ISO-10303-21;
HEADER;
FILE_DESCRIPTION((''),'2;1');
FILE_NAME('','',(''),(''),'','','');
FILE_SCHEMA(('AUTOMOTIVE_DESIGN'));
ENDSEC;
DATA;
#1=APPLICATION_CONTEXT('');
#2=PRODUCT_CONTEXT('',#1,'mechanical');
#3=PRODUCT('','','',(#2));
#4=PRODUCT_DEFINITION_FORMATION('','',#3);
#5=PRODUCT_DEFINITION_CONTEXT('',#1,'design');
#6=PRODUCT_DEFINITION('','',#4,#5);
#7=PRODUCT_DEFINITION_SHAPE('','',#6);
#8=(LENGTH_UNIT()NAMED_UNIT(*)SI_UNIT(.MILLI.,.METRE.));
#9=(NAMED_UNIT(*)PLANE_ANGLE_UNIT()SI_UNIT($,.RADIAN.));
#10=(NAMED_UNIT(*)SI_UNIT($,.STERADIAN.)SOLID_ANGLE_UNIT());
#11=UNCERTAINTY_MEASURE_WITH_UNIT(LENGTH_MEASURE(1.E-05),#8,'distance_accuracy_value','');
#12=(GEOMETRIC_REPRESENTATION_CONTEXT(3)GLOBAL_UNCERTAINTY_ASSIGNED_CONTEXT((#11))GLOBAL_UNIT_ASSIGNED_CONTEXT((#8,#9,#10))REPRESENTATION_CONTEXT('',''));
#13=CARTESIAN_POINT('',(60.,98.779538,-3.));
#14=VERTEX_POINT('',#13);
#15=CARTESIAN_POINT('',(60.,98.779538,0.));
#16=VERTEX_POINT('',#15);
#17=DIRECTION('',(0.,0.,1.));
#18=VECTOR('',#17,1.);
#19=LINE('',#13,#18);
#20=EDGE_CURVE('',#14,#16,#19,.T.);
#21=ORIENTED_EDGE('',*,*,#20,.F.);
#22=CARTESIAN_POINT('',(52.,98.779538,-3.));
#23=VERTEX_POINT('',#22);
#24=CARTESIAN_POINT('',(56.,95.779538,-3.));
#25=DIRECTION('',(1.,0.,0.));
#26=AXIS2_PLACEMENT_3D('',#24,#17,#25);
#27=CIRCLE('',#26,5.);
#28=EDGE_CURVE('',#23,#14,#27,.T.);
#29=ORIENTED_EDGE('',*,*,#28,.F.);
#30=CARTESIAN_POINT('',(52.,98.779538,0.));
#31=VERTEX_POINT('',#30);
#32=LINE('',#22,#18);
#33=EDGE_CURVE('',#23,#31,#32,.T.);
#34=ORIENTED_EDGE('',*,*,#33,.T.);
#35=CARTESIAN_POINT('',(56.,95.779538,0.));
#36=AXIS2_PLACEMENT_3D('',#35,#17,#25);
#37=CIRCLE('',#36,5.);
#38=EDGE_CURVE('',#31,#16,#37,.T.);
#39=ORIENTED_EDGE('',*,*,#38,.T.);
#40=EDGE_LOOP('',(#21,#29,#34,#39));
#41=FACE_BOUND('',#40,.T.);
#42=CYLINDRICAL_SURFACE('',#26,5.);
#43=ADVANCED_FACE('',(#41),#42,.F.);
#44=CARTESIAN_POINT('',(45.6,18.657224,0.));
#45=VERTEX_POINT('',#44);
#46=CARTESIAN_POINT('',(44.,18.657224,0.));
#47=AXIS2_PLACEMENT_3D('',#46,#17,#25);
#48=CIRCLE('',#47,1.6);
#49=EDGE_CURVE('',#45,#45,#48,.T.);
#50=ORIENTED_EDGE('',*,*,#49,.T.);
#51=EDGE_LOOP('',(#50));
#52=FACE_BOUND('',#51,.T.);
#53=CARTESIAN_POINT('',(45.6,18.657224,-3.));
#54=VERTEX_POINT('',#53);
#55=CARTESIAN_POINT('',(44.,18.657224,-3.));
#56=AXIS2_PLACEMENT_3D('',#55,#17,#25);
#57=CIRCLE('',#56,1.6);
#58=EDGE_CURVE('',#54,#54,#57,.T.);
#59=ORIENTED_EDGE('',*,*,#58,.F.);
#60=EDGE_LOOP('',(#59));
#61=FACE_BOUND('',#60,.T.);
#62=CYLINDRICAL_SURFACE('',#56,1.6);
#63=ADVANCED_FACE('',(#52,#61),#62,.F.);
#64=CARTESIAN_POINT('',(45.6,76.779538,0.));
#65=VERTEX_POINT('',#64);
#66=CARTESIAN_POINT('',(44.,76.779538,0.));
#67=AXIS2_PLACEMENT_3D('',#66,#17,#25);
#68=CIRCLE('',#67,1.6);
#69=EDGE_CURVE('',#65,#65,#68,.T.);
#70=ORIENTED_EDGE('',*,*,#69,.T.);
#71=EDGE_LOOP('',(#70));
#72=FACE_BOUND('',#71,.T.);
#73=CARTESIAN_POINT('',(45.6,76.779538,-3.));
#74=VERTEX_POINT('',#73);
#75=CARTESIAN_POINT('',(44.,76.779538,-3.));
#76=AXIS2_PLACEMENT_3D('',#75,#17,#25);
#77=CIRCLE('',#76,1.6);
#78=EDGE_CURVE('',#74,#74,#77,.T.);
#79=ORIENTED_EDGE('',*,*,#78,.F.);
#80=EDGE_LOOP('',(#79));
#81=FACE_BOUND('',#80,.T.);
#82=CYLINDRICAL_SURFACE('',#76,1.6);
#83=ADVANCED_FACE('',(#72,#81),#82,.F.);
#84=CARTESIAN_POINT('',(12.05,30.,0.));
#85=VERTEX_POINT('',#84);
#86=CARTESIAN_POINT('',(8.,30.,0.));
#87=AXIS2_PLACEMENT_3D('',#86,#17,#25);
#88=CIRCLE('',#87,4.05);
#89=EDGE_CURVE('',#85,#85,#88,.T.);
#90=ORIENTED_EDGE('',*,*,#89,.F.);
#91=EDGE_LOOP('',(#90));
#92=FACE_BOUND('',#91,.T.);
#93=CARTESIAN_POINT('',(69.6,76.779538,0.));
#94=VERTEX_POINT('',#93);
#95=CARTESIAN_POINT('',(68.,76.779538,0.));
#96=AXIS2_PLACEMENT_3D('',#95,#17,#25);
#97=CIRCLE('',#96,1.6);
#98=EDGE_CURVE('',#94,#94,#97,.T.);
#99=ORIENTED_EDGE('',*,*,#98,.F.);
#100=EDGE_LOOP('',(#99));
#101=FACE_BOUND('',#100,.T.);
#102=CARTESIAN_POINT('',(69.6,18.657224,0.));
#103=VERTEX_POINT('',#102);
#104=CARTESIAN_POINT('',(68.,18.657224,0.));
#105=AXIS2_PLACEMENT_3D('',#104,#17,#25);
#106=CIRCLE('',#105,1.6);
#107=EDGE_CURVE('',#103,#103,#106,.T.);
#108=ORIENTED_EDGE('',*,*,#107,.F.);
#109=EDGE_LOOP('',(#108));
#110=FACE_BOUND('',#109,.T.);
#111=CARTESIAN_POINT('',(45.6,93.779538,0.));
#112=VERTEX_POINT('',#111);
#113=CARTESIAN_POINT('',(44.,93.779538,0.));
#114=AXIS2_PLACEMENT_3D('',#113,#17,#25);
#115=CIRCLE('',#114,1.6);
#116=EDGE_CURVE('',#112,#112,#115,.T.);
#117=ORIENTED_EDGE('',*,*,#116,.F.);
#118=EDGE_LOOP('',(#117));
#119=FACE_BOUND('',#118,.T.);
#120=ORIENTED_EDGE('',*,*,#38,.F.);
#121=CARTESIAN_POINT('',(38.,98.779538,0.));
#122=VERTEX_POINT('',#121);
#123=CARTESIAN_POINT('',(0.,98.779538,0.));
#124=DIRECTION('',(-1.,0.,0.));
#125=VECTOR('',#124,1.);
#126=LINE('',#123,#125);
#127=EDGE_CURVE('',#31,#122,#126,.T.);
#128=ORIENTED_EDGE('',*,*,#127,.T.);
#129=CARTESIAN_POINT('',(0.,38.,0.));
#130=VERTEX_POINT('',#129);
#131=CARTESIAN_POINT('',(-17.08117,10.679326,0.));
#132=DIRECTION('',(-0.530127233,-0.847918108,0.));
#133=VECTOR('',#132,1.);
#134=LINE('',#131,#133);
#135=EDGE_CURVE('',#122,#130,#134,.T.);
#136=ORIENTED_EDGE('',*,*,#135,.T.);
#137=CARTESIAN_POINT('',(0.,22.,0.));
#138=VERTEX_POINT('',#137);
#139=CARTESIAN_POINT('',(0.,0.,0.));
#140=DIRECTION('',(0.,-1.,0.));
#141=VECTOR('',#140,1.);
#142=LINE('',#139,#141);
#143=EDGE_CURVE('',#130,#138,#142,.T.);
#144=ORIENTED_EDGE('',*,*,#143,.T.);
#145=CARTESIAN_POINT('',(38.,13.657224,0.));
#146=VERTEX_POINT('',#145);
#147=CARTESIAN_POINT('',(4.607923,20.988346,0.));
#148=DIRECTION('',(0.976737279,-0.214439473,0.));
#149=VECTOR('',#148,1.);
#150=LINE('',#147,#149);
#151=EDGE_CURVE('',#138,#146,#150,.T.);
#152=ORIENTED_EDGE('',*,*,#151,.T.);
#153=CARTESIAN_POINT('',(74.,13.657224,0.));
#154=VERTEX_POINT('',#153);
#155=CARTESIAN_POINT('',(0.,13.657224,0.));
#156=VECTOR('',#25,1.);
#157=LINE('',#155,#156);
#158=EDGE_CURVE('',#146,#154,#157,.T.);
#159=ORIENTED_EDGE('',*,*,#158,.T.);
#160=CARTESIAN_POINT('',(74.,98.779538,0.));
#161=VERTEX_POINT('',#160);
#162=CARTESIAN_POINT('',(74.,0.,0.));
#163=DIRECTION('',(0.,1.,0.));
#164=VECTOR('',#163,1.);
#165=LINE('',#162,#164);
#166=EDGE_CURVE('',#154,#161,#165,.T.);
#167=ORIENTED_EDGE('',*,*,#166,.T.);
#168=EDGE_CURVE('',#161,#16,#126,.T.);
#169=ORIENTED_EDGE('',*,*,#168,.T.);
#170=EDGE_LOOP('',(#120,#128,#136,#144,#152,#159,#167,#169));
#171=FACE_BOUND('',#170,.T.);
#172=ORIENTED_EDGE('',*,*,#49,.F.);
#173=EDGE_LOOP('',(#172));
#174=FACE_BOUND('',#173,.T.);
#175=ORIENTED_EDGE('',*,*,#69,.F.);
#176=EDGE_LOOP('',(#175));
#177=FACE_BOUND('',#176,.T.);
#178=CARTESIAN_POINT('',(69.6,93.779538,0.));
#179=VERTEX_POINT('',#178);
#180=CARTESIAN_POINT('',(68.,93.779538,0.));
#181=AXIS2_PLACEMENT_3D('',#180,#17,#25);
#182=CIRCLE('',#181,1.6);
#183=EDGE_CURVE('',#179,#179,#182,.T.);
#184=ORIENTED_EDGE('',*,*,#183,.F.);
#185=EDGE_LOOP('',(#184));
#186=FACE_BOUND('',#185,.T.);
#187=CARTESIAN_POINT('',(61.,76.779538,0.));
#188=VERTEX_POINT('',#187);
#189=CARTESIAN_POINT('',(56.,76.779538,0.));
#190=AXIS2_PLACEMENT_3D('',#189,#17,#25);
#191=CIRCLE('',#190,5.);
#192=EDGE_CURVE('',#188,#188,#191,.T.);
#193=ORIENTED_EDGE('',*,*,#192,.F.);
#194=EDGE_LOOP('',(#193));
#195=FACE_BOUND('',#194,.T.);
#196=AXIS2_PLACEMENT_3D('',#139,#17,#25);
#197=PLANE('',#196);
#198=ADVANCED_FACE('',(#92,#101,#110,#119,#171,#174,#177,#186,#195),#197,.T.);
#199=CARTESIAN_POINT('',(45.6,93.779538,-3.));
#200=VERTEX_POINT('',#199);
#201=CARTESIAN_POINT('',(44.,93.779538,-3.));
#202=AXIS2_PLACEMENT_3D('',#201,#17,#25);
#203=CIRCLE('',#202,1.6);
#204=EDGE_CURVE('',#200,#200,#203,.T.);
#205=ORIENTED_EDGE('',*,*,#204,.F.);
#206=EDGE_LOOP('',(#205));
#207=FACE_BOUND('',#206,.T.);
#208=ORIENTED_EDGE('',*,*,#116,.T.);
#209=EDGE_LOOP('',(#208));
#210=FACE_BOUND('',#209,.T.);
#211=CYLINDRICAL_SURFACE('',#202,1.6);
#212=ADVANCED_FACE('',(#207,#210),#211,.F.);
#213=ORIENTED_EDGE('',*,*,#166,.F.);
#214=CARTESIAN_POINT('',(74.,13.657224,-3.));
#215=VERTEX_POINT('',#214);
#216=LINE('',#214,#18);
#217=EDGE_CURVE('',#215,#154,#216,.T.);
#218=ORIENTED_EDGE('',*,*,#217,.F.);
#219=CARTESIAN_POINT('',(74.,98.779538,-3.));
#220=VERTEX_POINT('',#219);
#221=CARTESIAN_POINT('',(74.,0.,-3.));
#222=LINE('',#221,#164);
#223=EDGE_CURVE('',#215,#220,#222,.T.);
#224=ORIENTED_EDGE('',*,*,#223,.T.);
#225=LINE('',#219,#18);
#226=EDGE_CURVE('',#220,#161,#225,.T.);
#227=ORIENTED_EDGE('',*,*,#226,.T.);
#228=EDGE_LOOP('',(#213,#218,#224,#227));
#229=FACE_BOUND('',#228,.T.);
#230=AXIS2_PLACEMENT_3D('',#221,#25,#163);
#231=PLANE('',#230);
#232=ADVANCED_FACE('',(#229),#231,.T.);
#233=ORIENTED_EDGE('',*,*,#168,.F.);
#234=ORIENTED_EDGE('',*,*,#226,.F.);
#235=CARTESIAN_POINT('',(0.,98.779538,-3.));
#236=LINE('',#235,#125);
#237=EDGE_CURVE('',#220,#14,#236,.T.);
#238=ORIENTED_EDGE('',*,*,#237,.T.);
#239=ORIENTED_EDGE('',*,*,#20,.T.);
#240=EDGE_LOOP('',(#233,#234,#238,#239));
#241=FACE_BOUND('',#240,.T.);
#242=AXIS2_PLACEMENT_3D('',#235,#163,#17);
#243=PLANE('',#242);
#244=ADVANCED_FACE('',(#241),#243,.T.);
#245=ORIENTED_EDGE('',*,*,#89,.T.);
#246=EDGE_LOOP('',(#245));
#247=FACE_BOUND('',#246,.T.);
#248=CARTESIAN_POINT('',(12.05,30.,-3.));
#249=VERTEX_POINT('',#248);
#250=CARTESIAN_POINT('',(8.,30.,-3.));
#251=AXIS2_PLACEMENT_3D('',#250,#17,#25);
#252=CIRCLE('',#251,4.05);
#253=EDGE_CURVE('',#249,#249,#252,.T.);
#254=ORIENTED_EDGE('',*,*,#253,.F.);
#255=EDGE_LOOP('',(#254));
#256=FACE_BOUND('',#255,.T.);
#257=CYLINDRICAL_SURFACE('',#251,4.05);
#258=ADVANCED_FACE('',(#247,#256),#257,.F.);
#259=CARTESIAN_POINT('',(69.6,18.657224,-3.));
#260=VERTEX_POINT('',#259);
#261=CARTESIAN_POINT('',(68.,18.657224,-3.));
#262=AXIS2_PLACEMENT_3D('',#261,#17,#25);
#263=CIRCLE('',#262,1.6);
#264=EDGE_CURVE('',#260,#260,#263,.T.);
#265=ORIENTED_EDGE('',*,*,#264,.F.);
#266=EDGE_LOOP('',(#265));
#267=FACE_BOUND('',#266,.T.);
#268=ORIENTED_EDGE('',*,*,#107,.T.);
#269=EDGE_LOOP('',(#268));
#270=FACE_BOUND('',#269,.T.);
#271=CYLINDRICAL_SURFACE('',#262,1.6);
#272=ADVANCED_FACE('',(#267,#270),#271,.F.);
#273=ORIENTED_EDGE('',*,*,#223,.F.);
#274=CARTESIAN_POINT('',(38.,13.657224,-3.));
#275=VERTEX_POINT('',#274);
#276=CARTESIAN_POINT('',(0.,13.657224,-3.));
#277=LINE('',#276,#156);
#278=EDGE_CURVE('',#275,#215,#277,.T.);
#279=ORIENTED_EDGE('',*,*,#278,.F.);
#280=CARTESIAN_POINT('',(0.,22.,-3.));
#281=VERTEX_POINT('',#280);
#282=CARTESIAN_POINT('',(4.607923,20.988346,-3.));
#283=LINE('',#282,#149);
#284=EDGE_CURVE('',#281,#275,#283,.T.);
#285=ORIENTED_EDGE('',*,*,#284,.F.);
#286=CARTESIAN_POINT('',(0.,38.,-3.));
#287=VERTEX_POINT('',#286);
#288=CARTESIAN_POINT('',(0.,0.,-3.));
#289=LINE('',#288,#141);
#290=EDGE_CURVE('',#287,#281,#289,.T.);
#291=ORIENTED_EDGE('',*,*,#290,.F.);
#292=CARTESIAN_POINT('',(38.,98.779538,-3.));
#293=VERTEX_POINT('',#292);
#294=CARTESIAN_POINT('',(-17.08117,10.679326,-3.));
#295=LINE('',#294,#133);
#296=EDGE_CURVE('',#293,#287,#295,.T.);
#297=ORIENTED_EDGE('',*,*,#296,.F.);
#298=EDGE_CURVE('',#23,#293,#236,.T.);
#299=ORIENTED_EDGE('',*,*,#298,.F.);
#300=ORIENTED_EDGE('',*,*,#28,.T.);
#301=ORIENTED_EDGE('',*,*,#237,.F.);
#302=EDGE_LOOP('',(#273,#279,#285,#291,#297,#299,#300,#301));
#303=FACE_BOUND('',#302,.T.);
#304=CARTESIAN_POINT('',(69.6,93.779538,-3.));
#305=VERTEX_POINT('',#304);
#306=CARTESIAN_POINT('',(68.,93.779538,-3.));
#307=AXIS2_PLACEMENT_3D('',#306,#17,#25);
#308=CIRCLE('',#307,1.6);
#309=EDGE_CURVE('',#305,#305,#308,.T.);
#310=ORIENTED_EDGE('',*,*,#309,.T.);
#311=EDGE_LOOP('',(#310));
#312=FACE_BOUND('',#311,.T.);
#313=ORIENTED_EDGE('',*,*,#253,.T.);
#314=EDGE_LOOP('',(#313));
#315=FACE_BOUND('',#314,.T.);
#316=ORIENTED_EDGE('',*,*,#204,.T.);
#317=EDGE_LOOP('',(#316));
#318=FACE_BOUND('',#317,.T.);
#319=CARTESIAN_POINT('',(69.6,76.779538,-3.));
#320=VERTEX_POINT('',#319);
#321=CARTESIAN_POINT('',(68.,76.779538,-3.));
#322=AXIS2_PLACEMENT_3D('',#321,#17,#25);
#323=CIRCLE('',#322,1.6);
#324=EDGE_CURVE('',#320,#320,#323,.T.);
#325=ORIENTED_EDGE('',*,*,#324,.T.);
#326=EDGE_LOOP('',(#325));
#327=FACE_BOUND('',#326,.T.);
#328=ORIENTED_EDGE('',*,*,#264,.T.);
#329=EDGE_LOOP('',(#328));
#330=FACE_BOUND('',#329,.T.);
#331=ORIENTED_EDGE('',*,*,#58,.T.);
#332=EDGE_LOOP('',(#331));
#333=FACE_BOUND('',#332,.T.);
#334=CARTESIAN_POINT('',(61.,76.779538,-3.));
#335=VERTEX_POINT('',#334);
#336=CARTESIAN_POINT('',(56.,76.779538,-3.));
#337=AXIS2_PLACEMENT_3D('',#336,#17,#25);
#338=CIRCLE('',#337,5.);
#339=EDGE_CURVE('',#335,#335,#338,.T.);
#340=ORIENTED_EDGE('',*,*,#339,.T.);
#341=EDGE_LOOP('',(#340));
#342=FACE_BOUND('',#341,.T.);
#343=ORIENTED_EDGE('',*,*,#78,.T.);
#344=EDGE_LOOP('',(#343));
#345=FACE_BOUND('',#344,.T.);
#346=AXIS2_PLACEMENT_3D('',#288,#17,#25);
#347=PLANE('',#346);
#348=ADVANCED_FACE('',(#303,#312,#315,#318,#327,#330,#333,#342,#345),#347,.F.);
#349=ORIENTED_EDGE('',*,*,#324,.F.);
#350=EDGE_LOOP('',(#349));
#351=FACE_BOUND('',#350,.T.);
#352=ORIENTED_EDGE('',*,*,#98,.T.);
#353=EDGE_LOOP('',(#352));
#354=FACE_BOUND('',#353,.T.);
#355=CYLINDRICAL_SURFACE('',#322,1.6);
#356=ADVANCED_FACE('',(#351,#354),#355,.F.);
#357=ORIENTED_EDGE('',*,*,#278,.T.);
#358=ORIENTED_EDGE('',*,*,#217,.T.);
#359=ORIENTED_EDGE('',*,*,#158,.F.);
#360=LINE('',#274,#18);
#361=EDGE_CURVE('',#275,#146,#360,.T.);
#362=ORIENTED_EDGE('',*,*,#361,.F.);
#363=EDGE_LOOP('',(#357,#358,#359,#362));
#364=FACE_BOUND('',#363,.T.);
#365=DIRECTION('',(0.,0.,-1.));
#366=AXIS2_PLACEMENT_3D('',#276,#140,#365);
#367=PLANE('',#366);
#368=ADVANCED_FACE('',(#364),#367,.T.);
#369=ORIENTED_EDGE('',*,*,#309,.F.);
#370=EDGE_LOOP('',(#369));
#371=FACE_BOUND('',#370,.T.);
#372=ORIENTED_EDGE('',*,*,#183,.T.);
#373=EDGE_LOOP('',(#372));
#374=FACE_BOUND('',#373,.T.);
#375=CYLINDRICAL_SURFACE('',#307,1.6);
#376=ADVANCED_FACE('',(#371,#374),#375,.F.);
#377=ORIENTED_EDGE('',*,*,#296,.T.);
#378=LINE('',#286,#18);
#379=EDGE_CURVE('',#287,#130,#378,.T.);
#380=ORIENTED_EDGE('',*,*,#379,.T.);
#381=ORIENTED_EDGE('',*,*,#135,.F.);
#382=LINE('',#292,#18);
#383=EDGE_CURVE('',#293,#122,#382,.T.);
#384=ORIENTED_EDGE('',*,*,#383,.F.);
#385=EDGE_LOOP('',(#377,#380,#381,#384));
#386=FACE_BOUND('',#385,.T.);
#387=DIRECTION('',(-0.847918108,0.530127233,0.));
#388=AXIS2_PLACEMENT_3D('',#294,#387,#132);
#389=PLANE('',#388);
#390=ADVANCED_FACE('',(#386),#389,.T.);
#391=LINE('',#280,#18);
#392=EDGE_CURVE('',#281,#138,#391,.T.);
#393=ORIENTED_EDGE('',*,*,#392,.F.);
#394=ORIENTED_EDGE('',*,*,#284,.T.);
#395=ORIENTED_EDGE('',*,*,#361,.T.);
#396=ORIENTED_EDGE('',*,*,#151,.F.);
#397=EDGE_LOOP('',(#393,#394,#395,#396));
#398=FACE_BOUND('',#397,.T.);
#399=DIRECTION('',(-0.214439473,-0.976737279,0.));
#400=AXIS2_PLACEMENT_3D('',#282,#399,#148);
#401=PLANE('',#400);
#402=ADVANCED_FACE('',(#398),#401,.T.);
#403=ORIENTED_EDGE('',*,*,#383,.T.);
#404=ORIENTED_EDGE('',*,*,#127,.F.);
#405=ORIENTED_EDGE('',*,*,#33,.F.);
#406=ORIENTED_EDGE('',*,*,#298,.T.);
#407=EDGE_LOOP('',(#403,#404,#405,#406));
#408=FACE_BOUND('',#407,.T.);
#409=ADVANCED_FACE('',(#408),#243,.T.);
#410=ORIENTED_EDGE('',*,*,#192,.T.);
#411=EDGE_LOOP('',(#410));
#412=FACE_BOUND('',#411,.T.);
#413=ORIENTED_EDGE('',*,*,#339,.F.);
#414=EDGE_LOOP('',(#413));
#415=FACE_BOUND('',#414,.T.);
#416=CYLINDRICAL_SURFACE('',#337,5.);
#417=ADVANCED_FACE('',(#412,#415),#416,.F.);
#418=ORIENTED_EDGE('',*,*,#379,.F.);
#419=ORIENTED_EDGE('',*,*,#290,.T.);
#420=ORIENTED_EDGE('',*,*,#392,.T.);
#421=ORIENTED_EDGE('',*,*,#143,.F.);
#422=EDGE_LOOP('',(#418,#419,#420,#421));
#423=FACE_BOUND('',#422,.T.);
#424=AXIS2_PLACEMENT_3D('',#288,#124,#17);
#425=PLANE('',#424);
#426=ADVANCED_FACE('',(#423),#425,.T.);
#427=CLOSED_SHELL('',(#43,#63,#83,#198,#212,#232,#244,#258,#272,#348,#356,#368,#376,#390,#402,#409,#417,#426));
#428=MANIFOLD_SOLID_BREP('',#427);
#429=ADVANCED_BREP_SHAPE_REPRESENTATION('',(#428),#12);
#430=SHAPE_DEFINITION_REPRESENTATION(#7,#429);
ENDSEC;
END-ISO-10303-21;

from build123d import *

# Parameters (mm, degrees)
SKETCH_1_R      = 4.05
SKETCH_1_R_2    = 1.6
SKETCH_1_R_3    = 5
EXTRUDE_1_DEPTH = 3


with BuildPart() as part:
    # ｽｹｯﾁ1 → ﾎﾞｽ - 押し出し1 (new body)
    with BuildSketch(Plane.XY):
        with BuildLine():
            Line((74, 13.65722438), (74, 98.779537634))
            Line((74, 98.779537634), (60, 98.779537634))
            ThreePointArc((60, 98.779537634), (56, 90.779537634), (52, 98.779537634))
            Line((52, 98.779537634), (38, 98.779537634))
            Line((38, 98.779537634), (0, 38))
            Line((0, 38), (0, 22))
            Line((0, 22), (38, 13.65722438))
            Line((38, 13.65722438), (74, 13.65722438))
        make_face()
        with Locations((8, 30)):
            Circle(SKETCH_1_R, mode=Mode.SUBTRACT)
        with Locations((44, 18.65722438)):
            Circle(SKETCH_1_R_2, mode=Mode.SUBTRACT)
        with Locations((68, 18.65722438)):
            Circle(SKETCH_1_R_2, mode=Mode.SUBTRACT)
        with Locations((44, 76.779537634)):
            Circle(SKETCH_1_R_2, mode=Mode.SUBTRACT)
        with Locations((56, 76.779537634)):
            Circle(SKETCH_1_R_3, mode=Mode.SUBTRACT)
        with Locations((68, 76.779537634)):
            Circle(SKETCH_1_R_2, mode=Mode.SUBTRACT)
        with Locations((44, 93.779537634)):
            Circle(SKETCH_1_R_2, mode=Mode.SUBTRACT)
        with Locations((68, 93.779537634)):
            Circle(SKETCH_1_R_2, mode=Mode.SUBTRACT)
    extrude(amount=-EXTRUDE_1_DEPTH)


solid = part.part
